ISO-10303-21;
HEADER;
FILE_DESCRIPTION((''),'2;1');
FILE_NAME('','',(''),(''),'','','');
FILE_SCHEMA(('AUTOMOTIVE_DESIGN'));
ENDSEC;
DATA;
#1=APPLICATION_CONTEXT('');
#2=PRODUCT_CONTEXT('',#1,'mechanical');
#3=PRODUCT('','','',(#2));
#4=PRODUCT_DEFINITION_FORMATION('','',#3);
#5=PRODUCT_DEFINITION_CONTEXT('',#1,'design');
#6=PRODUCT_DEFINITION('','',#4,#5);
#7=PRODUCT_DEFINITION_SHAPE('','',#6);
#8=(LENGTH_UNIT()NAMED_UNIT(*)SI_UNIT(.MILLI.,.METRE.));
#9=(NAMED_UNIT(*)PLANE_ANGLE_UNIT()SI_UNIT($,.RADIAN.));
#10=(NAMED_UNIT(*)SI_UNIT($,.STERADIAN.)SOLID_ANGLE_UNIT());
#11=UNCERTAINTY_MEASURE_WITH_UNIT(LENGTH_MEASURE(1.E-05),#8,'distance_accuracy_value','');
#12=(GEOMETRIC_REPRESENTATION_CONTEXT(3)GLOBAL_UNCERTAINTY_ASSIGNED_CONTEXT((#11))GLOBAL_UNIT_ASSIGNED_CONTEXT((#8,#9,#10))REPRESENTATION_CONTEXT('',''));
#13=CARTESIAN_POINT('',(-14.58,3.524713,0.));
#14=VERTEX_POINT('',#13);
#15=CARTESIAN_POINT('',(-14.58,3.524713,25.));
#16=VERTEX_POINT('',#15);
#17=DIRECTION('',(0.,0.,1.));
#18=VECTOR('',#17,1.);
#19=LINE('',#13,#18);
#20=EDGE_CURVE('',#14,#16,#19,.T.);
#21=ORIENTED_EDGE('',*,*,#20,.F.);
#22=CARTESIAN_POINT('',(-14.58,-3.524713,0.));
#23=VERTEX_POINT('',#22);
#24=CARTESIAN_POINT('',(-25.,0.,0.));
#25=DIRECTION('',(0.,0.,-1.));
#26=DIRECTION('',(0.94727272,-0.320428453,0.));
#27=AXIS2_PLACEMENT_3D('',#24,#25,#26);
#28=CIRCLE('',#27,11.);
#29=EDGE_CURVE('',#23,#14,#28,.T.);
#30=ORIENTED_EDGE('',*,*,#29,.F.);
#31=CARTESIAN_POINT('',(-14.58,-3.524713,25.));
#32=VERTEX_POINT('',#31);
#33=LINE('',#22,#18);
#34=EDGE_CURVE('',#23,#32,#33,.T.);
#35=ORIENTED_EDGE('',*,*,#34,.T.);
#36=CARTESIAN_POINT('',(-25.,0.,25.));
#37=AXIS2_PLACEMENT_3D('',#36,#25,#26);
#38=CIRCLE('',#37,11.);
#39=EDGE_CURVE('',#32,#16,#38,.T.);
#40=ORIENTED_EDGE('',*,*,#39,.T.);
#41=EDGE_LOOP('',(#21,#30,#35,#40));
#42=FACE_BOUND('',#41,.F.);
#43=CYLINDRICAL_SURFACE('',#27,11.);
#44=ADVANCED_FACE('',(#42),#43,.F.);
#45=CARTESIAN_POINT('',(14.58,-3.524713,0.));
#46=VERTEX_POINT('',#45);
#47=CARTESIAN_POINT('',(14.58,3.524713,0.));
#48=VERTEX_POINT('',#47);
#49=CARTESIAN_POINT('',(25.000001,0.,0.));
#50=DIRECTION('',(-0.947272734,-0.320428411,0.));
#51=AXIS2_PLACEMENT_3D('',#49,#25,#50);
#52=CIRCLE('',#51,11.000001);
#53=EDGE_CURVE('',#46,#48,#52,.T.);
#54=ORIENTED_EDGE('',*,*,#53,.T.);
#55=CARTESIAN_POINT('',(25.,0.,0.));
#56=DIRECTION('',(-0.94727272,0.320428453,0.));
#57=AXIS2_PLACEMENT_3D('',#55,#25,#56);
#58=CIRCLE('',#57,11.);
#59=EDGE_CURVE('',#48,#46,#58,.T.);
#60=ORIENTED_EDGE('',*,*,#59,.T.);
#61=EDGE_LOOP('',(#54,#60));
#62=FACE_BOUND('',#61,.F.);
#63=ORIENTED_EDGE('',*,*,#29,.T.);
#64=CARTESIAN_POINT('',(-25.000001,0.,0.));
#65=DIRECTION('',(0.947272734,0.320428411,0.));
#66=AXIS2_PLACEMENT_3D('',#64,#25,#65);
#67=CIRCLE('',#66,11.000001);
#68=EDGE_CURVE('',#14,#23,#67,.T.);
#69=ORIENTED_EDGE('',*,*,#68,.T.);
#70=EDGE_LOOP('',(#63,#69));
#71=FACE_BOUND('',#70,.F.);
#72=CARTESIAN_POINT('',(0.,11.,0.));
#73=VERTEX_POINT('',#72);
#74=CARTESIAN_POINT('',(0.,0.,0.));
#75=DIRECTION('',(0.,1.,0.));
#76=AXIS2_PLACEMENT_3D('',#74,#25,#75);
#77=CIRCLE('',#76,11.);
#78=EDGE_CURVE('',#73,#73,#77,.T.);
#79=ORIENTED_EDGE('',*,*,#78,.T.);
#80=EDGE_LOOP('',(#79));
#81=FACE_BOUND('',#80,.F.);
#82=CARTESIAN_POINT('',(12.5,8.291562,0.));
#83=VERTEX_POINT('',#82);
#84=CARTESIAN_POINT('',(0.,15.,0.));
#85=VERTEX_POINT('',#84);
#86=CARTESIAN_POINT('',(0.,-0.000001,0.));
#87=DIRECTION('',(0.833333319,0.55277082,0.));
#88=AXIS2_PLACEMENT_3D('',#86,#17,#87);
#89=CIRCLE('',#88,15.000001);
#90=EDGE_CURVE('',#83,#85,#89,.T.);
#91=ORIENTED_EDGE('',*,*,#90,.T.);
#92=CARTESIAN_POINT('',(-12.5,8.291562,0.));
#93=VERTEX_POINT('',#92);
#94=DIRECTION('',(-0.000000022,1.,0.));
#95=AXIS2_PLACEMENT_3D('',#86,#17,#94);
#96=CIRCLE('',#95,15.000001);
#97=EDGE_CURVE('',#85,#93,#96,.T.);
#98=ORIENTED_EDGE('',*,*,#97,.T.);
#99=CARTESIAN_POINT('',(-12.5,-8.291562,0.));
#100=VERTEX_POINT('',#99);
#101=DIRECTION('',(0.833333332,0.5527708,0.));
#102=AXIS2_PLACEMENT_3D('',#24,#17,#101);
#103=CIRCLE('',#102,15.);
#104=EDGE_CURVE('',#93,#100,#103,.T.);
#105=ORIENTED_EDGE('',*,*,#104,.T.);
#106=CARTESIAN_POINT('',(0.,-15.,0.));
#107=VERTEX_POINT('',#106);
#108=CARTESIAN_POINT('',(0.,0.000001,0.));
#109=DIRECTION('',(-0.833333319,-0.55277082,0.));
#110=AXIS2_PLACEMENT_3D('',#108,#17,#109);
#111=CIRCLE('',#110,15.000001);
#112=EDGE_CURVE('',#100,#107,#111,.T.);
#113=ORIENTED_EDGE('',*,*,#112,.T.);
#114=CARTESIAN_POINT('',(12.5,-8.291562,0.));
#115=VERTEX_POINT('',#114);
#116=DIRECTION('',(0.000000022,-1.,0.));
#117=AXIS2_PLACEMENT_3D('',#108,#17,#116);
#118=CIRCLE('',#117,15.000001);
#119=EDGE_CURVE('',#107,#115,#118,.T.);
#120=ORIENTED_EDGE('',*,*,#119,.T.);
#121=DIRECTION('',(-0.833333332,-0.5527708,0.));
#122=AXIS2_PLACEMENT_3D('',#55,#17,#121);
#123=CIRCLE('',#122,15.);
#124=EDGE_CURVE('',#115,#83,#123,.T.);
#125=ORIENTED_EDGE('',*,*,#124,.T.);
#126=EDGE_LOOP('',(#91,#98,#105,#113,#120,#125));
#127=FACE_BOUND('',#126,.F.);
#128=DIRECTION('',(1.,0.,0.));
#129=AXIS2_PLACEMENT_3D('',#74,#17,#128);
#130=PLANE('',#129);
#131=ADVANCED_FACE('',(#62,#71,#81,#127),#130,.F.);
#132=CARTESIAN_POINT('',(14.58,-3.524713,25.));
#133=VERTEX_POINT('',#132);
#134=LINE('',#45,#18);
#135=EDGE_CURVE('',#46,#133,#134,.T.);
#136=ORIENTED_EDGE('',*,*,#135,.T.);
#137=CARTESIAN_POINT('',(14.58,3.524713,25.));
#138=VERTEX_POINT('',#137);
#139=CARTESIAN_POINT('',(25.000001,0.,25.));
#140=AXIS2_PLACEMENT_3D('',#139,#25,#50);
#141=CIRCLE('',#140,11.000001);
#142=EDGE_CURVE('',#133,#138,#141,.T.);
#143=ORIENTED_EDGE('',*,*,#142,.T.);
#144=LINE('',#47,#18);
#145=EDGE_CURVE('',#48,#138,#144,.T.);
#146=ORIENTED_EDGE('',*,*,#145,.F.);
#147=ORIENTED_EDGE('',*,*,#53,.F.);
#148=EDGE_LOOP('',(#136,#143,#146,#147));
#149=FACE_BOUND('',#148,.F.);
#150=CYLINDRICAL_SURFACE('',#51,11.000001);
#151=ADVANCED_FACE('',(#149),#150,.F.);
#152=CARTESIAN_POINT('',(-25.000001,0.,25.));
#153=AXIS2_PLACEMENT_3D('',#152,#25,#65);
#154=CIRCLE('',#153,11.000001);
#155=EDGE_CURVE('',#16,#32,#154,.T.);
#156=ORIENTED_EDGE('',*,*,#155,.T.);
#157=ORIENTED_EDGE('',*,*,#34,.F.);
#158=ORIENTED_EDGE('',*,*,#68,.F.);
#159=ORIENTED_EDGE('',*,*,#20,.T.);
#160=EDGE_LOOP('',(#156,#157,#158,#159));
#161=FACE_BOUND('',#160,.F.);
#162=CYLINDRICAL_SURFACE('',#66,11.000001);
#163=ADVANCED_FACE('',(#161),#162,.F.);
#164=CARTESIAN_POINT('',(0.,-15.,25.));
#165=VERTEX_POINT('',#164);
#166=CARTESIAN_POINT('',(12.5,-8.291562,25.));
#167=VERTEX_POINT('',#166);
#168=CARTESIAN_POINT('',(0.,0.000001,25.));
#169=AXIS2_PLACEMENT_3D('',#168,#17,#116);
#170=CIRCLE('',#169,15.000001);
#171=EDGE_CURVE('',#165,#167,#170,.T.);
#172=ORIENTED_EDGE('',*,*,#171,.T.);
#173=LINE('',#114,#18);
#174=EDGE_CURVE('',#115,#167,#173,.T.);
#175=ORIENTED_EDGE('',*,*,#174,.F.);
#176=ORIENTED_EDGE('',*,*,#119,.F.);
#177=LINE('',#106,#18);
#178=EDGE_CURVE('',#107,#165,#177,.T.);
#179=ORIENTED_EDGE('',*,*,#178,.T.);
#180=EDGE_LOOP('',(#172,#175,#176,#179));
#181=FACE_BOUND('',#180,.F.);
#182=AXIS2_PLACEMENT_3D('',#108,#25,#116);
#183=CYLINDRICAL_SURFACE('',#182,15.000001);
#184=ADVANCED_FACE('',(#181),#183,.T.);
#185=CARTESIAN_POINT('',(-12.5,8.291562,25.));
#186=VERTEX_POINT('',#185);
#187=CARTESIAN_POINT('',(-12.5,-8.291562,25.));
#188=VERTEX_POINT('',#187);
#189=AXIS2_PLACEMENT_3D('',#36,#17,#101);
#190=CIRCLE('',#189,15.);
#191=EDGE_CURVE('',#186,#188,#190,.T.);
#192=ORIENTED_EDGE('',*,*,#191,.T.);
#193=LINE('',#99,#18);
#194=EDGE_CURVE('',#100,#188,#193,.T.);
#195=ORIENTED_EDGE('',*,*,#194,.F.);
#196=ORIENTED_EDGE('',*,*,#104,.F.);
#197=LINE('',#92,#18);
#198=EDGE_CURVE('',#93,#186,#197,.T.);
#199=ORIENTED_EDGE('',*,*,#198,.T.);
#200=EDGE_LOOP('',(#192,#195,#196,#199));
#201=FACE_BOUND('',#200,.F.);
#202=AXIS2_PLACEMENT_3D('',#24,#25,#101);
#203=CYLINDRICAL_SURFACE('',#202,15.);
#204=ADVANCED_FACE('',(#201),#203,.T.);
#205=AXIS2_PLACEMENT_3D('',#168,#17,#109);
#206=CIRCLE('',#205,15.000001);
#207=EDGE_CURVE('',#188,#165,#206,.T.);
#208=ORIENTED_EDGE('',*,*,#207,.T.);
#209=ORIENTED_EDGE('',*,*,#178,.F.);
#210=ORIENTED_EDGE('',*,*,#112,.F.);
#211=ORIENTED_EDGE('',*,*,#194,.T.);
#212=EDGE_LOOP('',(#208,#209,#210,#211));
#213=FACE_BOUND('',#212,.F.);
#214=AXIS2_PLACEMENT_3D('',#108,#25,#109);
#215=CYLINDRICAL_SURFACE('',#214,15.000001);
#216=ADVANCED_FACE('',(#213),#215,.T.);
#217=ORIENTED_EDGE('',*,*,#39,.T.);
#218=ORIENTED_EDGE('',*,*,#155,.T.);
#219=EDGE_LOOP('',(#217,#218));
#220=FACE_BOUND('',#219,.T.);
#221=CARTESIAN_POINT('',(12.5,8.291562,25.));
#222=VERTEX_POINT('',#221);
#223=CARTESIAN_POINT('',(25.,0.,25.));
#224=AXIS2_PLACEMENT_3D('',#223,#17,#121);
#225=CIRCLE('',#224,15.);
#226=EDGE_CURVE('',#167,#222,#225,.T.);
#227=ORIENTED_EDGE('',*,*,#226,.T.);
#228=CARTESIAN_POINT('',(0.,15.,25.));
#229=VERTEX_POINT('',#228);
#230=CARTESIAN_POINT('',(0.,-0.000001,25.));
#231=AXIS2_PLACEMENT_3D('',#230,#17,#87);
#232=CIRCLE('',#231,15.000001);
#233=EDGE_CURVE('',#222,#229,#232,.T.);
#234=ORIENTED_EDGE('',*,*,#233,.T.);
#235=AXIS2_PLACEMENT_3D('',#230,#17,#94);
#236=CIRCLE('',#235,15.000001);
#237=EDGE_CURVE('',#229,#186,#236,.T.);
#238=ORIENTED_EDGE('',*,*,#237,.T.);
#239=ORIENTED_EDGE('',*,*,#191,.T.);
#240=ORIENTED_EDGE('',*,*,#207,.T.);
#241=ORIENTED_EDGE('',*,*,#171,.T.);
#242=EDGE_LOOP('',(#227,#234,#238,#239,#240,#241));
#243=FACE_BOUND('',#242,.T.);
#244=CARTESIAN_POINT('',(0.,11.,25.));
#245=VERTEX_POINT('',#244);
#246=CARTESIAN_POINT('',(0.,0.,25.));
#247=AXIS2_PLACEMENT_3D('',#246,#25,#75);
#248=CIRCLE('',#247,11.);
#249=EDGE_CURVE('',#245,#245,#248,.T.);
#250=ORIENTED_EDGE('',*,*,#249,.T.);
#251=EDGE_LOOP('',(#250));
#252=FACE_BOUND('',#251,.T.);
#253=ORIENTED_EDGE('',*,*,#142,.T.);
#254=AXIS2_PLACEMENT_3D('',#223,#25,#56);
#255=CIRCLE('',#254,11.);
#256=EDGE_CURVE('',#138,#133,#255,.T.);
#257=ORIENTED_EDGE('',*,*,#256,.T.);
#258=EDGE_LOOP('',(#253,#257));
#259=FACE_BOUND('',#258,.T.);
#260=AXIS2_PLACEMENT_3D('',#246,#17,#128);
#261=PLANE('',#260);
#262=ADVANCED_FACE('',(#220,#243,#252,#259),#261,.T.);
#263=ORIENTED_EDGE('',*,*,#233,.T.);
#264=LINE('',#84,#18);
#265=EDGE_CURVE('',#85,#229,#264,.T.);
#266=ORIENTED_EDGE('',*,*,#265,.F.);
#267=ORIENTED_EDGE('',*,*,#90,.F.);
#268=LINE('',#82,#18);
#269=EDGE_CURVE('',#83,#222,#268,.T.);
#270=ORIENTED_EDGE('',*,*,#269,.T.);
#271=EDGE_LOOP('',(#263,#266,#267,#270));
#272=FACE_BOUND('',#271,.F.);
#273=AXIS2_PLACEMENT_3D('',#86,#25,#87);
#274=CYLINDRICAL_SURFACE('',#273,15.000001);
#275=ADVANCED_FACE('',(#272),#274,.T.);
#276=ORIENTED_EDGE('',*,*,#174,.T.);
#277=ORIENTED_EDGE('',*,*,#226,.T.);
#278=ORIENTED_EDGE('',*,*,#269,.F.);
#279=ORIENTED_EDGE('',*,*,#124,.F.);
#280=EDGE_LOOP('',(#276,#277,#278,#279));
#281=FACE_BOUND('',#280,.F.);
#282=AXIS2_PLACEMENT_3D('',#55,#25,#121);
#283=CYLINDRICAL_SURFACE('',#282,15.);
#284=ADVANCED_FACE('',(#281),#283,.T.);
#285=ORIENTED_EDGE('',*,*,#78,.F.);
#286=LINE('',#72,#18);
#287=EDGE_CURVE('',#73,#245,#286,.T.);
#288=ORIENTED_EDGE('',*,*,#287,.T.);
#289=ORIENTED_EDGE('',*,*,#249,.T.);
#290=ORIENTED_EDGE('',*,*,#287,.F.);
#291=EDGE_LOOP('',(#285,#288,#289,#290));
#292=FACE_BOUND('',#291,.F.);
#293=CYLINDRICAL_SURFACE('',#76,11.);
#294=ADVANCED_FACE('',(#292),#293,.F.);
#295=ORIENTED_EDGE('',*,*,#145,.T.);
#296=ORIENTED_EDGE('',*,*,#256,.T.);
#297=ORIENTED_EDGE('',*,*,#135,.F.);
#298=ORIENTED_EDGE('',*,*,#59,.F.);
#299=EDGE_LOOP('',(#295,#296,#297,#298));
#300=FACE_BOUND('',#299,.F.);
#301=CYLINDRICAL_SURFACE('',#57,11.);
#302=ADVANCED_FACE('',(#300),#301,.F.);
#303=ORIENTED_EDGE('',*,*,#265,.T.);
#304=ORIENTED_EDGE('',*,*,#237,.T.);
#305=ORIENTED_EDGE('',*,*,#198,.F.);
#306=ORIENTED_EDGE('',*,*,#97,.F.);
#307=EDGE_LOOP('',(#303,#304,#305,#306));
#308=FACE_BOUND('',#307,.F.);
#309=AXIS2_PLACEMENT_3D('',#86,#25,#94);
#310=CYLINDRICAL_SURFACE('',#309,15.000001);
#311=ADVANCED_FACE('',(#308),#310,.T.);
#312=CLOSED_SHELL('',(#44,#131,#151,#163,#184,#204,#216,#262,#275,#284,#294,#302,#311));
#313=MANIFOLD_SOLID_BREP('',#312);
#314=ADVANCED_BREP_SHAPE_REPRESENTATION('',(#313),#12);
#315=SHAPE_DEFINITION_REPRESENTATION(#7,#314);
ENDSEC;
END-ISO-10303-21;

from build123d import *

# Parameters (mm, degrees)
F1_DEPTH = 25


with BuildPart() as f1:
    # F0 (on Top) → F1 (new body)
    with BuildSketch(Plane.XY):
        with BuildLine():
            ThreePointArc((-12.5, -8.291562), (-7.093186, -13.21691), (0, -15))
            ThreePointArc((0, -15), (7.093186, -13.21691), (12.5, -8.291562))
            ThreePointArc((12.5, -8.291562), (40, 0), (12.5, 8.291562))
            ThreePointArc((12.5, 8.291562), (7.093186, 13.21691), (0, 15))
            ThreePointArc((0, 15), (-7.093186, 13.21691), (-12.5, 8.291562))
            ThreePointArc((-12.5, 8.291562), (-40, 0), (-12.5, -8.291562))
        make_face()
        with BuildLine():
            ThreePointArc((-14.58, -3.524713), (-36, 0), (-14.58, 3.524713))
            ThreePointArc((-14.58, 3.524713), (-14, 0), (-14.58, -3.524713))
        make_face(mode=Mode.SUBTRACT)
        with BuildLine():
            ThreePointArc((0, -11), (-11, 0), (0, 11))
            ThreePointArc((0, 11), (11, 0), (0, -11))
        make_face(mode=Mode.SUBTRACT)
        with BuildLine():
            ThreePointArc((14.58, -3.524713), (14, 0), (14.58, 3.524713))
            ThreePointArc((14.58, 3.524713), (36, 0), (14.58, -3.524713))
        make_face(mode=Mode.SUBTRACT)
    extrude(amount=F1_DEPTH)


solid = f1.part
